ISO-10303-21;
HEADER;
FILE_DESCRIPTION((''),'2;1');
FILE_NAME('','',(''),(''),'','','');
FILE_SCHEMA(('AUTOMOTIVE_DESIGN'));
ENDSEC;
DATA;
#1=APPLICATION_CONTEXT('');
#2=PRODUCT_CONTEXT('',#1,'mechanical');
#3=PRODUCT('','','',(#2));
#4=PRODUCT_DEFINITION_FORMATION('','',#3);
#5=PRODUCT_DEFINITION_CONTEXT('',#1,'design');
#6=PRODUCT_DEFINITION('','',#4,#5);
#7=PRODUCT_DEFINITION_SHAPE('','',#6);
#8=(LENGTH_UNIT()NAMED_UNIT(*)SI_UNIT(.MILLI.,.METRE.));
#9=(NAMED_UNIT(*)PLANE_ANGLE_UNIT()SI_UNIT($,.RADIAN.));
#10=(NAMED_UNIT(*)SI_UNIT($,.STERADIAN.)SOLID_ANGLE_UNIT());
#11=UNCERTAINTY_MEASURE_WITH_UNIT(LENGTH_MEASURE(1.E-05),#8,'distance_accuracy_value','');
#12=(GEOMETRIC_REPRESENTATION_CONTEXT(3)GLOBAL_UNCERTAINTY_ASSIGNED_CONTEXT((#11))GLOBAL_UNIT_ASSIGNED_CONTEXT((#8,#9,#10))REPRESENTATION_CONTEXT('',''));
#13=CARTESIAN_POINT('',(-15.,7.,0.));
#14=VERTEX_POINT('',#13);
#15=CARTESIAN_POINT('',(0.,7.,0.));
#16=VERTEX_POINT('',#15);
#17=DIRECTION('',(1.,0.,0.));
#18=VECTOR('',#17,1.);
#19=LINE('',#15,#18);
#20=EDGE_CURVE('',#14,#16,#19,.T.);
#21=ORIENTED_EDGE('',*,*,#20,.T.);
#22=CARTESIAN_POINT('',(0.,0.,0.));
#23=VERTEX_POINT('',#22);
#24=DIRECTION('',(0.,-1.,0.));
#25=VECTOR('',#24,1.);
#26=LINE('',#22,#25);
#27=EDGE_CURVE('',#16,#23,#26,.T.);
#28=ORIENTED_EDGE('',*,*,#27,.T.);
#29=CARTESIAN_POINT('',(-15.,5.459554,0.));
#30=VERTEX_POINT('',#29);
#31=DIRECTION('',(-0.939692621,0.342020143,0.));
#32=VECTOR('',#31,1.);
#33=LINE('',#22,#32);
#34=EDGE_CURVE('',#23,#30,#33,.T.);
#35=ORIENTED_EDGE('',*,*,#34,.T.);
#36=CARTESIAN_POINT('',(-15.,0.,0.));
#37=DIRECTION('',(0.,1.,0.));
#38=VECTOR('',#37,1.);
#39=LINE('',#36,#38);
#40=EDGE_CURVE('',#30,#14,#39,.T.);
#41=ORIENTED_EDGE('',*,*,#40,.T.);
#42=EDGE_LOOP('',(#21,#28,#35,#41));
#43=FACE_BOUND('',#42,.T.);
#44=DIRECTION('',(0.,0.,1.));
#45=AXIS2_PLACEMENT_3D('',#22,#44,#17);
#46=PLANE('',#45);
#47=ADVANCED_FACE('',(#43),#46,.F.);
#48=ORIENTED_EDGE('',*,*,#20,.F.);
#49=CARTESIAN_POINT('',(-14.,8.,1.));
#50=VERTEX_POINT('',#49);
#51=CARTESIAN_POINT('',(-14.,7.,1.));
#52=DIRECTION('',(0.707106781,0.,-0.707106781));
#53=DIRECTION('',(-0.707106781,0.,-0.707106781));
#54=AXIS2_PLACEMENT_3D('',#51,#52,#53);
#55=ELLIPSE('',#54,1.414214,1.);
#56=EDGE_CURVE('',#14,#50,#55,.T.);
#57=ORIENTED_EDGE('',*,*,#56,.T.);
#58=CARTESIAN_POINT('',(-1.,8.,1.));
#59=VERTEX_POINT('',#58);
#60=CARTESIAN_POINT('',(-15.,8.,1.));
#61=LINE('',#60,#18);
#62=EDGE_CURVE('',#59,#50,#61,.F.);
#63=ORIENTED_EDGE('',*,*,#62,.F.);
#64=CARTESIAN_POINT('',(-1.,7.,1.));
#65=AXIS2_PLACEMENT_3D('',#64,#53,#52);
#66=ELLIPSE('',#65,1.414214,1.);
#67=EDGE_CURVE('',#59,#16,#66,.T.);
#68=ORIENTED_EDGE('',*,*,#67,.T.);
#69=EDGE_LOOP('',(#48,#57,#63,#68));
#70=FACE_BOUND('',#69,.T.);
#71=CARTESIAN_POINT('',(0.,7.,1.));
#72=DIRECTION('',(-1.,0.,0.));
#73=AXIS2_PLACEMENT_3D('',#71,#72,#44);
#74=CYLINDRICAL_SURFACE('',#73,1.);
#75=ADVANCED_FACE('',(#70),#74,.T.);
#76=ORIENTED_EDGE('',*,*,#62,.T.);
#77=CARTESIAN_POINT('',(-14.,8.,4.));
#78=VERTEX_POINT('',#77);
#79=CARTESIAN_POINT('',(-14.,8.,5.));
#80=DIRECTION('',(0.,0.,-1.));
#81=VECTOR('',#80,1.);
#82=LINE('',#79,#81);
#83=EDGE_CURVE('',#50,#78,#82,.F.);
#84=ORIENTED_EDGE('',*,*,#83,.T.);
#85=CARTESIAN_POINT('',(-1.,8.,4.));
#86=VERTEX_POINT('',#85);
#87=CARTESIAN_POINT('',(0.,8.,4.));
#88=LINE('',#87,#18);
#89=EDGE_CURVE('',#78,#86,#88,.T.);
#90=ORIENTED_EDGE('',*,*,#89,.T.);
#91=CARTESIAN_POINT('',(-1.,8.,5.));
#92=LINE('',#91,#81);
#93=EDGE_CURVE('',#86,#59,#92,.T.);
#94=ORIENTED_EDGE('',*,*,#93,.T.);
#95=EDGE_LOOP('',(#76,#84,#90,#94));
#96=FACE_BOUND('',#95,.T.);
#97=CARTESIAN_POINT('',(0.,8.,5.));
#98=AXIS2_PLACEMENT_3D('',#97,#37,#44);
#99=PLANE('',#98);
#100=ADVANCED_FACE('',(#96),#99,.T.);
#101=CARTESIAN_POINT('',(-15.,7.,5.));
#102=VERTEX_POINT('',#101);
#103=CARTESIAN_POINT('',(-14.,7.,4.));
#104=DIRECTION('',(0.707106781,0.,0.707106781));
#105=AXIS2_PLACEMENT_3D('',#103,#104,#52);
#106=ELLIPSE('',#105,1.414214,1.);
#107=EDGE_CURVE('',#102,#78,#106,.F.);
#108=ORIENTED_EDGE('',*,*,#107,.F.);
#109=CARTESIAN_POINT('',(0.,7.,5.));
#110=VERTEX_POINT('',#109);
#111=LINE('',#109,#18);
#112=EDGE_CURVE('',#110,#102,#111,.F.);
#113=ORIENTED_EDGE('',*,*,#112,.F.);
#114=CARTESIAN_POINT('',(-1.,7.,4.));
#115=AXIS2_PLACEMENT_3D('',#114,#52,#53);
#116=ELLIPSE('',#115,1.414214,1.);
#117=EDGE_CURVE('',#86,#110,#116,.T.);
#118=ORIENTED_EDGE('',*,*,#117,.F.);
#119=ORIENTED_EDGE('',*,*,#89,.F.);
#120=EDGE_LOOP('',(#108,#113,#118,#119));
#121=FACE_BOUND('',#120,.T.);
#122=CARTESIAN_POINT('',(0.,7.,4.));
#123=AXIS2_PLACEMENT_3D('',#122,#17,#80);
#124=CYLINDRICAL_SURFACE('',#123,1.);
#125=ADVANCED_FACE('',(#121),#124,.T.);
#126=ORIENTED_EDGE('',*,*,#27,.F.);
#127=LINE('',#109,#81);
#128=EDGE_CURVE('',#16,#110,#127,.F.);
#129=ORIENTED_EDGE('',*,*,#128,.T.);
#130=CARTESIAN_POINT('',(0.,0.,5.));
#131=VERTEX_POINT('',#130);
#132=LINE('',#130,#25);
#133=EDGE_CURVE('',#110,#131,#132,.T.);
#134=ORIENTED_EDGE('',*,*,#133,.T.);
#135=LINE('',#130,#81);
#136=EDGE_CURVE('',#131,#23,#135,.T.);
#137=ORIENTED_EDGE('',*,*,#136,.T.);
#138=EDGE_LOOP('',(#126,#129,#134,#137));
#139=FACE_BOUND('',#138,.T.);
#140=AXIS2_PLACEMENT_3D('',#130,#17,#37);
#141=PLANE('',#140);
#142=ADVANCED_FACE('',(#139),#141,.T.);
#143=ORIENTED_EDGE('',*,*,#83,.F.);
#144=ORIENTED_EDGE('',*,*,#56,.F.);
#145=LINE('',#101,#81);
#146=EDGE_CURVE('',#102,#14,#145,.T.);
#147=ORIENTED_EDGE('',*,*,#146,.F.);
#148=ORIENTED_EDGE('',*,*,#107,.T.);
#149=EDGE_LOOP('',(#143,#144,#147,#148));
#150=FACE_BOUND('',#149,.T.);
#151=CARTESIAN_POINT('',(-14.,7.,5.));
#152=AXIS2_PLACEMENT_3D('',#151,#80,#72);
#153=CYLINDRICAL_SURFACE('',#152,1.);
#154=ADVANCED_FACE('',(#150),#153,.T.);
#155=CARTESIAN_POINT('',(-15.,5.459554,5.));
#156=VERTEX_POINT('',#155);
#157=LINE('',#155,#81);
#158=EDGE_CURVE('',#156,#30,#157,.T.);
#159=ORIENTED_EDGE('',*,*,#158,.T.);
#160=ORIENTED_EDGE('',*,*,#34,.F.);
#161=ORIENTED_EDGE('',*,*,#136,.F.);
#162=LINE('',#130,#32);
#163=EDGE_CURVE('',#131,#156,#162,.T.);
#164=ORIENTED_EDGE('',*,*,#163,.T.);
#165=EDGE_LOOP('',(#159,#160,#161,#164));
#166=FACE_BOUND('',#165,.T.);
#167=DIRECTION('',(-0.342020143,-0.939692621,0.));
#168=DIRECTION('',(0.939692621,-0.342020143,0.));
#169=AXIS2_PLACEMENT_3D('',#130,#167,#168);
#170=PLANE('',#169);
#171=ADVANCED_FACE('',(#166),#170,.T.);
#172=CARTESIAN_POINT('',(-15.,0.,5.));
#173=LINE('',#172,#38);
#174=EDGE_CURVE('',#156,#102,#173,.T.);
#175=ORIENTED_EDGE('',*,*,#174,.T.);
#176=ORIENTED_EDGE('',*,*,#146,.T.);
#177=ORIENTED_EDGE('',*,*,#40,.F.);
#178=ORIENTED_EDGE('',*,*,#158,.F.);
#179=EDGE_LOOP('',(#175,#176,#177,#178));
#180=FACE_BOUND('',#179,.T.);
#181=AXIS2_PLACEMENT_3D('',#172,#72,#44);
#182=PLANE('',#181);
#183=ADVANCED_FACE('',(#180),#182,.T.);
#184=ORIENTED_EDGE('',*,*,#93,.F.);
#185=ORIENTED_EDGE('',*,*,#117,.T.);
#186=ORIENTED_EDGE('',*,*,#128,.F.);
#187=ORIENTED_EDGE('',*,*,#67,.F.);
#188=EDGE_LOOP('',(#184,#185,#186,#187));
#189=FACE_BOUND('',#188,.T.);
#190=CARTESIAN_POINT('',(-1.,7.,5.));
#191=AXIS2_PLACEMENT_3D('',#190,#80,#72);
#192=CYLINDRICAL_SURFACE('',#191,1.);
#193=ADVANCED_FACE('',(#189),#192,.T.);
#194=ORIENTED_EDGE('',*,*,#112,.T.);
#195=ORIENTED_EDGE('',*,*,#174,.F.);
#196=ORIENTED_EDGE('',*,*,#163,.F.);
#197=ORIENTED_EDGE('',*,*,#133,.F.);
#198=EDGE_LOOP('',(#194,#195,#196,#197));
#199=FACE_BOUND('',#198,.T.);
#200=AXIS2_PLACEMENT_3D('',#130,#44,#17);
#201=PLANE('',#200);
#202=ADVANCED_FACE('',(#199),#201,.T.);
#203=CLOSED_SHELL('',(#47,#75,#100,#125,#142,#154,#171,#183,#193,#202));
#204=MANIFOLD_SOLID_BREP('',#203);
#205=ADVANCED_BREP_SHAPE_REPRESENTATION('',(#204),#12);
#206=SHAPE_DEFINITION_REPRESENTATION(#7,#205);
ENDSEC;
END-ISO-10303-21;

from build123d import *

# Parameters (mm, degrees)
SALIENTE_EXTRUIR1_DEPTH = 5
REDONDEO1_R             = 1


with BuildPart() as part:
    # Croquis1 → Saliente-Extruir1 (new body)
    with BuildSketch(Plane.XY):
        Polygon((0, 8), (0, 0), (-15, 5.459553514), (-15, 8), align=None)
    extrude(amount=SALIENTE_EXTRUIR1_DEPTH)

    # Redondeo1
    redondeo1_edges = [part.edges().sort_by_distance(p)[0] for p in [
        (-7.5, 8, 0),
        (-15, 8, 2.5),
        (0, 8, 2.5),
        (-7.5, 8, 5),
    ]]
    fillet(redondeo1_edges, radius=REDONDEO1_R)


solid = part.part
